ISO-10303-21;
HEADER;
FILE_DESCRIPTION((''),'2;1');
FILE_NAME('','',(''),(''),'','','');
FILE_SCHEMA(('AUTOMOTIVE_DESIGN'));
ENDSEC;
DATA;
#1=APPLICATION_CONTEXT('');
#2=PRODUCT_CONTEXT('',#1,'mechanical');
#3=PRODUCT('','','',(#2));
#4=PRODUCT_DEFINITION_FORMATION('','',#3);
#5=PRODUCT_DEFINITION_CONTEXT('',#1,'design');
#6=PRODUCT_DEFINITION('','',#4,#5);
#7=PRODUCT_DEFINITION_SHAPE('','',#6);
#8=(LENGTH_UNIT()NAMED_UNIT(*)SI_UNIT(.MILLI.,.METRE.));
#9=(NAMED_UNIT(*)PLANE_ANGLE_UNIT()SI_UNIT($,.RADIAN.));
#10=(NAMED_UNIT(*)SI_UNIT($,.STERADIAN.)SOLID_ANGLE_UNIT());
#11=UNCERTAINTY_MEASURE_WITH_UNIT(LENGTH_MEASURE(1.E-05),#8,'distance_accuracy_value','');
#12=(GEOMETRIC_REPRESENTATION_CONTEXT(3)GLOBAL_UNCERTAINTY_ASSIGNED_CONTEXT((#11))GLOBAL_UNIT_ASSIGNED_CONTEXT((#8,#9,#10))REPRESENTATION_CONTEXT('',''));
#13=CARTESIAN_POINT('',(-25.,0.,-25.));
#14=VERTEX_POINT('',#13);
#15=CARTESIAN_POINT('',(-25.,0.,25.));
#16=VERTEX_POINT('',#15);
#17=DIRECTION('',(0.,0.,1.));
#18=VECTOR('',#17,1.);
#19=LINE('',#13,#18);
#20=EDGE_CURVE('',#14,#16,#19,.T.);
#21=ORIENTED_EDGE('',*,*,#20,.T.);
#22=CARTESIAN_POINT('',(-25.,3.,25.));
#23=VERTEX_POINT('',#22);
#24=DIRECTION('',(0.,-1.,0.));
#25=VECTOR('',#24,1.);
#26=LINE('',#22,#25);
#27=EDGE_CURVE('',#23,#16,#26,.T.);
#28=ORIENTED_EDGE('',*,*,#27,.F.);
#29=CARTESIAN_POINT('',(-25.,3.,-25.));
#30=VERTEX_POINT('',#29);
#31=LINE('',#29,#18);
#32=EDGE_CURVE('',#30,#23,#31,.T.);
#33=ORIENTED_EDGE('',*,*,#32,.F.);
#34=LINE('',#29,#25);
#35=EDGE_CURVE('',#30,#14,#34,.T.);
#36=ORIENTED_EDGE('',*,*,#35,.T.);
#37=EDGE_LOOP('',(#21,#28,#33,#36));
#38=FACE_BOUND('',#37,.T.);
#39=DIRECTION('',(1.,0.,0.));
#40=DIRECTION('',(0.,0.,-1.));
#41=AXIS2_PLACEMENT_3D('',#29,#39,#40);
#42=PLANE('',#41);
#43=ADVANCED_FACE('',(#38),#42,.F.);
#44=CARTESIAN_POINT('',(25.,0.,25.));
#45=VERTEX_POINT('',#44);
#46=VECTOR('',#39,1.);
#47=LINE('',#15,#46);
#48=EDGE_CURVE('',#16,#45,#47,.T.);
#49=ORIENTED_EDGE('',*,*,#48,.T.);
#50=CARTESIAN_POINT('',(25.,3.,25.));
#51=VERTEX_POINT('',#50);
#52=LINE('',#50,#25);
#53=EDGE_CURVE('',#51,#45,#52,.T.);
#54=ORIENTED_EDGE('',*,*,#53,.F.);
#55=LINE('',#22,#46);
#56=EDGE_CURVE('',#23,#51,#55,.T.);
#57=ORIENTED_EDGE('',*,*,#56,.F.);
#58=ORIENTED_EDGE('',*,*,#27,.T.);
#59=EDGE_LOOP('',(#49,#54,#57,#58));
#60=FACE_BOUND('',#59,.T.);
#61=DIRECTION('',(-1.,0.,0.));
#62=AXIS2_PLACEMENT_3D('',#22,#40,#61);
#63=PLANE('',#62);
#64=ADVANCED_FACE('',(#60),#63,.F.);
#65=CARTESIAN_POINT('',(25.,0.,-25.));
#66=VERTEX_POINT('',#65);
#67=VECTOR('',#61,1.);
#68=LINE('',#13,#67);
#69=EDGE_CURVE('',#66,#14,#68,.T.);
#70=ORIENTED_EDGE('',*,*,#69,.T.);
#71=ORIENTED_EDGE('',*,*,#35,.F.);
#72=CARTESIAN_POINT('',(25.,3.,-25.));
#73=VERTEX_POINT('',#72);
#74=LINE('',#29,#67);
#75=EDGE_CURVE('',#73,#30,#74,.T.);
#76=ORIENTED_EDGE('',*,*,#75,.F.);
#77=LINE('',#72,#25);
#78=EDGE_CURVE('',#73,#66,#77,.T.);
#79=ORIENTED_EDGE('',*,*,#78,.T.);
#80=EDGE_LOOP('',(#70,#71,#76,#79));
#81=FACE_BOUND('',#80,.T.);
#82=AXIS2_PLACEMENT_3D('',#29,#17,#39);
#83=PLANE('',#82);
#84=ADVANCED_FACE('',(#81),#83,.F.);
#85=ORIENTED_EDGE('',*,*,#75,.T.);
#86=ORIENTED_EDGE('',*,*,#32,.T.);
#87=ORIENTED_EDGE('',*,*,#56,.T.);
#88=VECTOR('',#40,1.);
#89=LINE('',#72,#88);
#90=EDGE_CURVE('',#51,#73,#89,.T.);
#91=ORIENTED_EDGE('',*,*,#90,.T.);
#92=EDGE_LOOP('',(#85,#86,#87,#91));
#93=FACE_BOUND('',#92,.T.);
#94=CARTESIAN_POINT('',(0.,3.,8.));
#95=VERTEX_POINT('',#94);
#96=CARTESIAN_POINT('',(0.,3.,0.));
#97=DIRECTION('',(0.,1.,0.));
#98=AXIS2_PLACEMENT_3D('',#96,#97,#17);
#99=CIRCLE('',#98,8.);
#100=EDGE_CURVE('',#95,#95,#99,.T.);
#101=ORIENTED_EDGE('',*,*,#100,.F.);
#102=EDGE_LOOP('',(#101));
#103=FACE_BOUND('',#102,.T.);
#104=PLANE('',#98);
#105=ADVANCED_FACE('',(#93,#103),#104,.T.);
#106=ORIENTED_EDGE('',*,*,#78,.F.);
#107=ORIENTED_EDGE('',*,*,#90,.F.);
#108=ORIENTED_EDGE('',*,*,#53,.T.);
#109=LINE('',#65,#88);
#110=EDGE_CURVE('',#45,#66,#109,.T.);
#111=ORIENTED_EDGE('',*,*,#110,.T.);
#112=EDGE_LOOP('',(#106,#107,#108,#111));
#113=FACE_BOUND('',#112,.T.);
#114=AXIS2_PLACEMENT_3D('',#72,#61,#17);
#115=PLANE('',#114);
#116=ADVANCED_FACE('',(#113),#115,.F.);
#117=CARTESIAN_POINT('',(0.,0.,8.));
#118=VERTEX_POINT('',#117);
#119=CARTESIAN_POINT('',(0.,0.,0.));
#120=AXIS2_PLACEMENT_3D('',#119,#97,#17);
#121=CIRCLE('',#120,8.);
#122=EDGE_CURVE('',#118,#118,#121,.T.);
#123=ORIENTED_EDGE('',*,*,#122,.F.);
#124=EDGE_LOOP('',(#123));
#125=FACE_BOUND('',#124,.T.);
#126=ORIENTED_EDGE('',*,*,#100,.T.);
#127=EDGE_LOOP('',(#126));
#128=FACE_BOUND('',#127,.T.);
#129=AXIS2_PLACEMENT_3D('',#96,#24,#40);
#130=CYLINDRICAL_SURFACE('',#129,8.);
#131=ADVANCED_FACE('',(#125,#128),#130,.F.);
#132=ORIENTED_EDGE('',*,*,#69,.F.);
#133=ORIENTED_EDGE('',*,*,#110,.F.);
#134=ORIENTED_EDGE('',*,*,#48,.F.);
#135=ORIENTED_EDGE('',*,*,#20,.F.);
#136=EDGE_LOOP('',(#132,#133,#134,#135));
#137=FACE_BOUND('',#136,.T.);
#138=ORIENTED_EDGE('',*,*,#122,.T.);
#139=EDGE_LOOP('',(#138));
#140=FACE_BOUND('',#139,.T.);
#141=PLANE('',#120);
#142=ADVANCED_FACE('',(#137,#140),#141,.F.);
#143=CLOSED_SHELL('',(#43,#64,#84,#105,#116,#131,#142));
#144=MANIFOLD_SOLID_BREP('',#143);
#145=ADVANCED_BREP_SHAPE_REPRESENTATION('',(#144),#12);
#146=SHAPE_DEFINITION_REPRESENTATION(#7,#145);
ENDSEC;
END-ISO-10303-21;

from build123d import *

# Parameters (mm, degrees)
SKIZZE1_W                       = 50
SKIZZE1_H                       = 50
SKIZZE1_R                       = 8
AUFSATZ_LINEAR_AUSTRAGEN1_DEPTH = 3


with BuildPart() as part:
    # Skizze1 → Aufsatz-Linear austragen1 (new body)
    with BuildSketch(Plane(origin=(0, 0, 0), x_dir=(1, 0, 0), z_dir=(0, 1, 0))):
        Rectangle(SKIZZE1_W, SKIZZE1_H)
        Circle(SKIZZE1_R, mode=Mode.SUBTRACT)
    extrude(amount=AUFSATZ_LINEAR_AUSTRAGEN1_DEPTH)


solid = part.part
